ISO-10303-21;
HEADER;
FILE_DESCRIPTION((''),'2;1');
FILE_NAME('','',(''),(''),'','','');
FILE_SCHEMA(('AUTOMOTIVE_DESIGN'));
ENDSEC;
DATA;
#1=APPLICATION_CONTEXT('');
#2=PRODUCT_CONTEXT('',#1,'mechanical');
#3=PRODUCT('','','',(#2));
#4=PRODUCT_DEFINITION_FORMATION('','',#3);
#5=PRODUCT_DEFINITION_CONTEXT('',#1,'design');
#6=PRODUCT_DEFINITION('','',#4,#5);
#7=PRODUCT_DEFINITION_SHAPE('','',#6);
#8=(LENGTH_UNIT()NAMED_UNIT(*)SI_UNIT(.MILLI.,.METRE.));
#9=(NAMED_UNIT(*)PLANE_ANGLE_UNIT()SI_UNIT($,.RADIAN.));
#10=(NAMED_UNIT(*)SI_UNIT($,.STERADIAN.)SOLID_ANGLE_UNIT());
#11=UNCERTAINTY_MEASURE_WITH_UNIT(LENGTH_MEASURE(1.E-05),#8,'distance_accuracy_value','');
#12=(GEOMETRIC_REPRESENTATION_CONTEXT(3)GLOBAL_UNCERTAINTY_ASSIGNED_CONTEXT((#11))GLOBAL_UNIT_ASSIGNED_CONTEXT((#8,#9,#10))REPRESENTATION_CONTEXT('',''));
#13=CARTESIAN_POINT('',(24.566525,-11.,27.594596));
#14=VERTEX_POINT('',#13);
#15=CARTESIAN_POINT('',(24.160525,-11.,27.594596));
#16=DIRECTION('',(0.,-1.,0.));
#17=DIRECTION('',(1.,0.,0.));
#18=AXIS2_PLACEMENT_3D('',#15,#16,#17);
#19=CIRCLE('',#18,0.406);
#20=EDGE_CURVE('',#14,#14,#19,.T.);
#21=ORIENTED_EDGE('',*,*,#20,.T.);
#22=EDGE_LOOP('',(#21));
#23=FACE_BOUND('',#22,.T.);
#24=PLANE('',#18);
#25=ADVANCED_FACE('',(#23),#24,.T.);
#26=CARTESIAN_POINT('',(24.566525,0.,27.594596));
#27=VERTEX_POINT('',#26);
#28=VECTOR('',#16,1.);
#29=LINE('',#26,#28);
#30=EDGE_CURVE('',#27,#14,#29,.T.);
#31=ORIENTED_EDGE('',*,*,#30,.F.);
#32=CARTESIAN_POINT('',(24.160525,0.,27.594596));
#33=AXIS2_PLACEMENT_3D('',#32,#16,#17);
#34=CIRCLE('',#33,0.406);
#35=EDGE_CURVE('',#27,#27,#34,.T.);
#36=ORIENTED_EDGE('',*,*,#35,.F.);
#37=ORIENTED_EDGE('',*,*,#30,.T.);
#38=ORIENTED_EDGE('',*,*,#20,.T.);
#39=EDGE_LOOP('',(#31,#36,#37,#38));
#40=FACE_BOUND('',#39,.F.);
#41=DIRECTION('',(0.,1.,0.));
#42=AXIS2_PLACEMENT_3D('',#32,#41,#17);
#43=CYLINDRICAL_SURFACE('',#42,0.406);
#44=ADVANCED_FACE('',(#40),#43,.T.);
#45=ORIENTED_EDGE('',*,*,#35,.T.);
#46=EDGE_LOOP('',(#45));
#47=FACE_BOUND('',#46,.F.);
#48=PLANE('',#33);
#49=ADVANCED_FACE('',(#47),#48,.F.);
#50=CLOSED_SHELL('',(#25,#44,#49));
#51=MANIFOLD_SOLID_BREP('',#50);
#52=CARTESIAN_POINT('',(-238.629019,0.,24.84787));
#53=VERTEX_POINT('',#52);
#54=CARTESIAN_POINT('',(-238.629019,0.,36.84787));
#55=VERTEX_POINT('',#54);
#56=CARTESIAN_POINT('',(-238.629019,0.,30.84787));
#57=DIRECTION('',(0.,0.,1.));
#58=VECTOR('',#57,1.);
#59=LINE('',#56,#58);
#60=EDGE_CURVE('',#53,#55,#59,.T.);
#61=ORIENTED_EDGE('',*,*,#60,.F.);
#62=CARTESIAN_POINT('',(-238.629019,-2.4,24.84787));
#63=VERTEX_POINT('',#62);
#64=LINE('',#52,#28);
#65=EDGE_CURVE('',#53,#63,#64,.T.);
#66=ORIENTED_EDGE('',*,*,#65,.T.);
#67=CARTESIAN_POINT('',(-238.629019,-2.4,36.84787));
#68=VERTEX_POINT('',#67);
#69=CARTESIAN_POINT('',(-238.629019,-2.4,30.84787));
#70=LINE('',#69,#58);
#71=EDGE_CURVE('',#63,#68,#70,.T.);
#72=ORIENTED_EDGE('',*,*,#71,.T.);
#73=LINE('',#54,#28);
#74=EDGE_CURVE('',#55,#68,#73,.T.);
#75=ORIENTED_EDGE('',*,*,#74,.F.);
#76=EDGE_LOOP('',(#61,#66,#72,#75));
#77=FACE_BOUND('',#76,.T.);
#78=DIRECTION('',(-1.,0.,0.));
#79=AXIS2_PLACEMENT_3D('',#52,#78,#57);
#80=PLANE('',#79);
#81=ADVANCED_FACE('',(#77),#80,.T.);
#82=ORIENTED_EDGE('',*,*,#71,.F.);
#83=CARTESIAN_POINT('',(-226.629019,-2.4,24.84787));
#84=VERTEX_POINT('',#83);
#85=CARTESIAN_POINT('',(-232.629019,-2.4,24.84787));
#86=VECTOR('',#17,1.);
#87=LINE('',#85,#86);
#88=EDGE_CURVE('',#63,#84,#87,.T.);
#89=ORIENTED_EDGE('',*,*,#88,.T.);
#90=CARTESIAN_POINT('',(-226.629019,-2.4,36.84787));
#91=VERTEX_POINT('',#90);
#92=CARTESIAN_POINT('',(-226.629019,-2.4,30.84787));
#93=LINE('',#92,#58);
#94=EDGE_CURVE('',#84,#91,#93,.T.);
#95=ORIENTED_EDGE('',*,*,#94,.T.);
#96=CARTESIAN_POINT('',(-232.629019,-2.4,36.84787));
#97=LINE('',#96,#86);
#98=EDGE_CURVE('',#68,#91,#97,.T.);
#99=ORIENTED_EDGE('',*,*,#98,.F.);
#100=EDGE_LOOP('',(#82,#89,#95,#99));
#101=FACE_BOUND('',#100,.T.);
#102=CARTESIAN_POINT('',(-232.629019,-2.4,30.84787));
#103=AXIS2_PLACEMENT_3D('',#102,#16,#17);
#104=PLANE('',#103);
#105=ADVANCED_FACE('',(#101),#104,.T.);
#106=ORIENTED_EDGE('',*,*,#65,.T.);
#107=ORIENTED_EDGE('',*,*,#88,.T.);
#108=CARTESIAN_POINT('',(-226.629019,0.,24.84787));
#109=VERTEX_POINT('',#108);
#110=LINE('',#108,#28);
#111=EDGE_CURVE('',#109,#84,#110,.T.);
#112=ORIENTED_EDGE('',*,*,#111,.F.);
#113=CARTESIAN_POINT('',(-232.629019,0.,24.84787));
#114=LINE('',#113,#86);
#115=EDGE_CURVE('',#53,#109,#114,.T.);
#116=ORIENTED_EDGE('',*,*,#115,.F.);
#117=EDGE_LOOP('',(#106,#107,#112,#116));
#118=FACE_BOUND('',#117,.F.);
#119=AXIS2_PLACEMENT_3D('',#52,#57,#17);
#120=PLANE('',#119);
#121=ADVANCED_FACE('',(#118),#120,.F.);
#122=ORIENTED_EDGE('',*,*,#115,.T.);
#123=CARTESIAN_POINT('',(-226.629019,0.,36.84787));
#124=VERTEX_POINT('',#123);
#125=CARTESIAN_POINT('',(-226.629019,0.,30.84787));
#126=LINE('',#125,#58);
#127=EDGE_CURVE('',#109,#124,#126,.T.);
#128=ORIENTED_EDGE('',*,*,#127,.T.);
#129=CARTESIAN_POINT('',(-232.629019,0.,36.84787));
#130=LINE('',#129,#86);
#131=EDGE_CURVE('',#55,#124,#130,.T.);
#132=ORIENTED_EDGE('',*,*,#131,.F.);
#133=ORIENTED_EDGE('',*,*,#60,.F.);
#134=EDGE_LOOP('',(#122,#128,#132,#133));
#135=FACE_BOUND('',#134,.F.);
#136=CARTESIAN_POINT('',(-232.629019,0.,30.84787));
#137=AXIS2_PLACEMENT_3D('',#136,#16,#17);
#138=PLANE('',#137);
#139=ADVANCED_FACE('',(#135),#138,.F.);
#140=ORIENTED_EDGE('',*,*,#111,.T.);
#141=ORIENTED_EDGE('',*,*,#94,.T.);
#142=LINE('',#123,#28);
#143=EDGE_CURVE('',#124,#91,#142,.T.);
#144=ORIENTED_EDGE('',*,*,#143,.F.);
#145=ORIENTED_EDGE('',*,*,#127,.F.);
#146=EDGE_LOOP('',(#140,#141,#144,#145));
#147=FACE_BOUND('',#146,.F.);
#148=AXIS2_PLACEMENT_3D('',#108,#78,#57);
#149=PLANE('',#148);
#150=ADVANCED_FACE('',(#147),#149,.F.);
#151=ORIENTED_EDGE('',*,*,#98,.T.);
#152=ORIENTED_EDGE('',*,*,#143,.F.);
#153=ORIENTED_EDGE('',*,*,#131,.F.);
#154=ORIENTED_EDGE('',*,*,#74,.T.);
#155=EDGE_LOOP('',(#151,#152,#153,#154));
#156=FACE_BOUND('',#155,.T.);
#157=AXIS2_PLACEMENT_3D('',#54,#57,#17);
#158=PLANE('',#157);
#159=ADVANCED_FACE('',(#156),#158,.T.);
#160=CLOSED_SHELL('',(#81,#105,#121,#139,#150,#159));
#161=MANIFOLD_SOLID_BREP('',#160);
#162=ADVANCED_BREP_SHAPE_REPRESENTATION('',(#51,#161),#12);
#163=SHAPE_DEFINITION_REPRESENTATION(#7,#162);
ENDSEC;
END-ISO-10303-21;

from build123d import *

# Parameters (mm, degrees)
F0_R     = 0.406
F1_DEPTH = 11
F2_W     = 12
F2_H     = 12
F3_DEPTH = 2.4


with BuildPart() as f1:
    # F0 (on Front) → F1 (new body)
    with BuildSketch(Plane.XZ):
        with Locations((24.160525, 27.594596)):
            Circle(F0_R)
    extrude(amount=F1_DEPTH)


with BuildPart() as f3:
    # F2 (on Front) → F3 (new body)
    with BuildSketch(Plane.XZ):
        with Locations((-232.629019, 30.84787)):
            Rectangle(F2_W, F2_H)
    extrude(amount=F3_DEPTH)


solid = Compound([f1.part, f3.part])
